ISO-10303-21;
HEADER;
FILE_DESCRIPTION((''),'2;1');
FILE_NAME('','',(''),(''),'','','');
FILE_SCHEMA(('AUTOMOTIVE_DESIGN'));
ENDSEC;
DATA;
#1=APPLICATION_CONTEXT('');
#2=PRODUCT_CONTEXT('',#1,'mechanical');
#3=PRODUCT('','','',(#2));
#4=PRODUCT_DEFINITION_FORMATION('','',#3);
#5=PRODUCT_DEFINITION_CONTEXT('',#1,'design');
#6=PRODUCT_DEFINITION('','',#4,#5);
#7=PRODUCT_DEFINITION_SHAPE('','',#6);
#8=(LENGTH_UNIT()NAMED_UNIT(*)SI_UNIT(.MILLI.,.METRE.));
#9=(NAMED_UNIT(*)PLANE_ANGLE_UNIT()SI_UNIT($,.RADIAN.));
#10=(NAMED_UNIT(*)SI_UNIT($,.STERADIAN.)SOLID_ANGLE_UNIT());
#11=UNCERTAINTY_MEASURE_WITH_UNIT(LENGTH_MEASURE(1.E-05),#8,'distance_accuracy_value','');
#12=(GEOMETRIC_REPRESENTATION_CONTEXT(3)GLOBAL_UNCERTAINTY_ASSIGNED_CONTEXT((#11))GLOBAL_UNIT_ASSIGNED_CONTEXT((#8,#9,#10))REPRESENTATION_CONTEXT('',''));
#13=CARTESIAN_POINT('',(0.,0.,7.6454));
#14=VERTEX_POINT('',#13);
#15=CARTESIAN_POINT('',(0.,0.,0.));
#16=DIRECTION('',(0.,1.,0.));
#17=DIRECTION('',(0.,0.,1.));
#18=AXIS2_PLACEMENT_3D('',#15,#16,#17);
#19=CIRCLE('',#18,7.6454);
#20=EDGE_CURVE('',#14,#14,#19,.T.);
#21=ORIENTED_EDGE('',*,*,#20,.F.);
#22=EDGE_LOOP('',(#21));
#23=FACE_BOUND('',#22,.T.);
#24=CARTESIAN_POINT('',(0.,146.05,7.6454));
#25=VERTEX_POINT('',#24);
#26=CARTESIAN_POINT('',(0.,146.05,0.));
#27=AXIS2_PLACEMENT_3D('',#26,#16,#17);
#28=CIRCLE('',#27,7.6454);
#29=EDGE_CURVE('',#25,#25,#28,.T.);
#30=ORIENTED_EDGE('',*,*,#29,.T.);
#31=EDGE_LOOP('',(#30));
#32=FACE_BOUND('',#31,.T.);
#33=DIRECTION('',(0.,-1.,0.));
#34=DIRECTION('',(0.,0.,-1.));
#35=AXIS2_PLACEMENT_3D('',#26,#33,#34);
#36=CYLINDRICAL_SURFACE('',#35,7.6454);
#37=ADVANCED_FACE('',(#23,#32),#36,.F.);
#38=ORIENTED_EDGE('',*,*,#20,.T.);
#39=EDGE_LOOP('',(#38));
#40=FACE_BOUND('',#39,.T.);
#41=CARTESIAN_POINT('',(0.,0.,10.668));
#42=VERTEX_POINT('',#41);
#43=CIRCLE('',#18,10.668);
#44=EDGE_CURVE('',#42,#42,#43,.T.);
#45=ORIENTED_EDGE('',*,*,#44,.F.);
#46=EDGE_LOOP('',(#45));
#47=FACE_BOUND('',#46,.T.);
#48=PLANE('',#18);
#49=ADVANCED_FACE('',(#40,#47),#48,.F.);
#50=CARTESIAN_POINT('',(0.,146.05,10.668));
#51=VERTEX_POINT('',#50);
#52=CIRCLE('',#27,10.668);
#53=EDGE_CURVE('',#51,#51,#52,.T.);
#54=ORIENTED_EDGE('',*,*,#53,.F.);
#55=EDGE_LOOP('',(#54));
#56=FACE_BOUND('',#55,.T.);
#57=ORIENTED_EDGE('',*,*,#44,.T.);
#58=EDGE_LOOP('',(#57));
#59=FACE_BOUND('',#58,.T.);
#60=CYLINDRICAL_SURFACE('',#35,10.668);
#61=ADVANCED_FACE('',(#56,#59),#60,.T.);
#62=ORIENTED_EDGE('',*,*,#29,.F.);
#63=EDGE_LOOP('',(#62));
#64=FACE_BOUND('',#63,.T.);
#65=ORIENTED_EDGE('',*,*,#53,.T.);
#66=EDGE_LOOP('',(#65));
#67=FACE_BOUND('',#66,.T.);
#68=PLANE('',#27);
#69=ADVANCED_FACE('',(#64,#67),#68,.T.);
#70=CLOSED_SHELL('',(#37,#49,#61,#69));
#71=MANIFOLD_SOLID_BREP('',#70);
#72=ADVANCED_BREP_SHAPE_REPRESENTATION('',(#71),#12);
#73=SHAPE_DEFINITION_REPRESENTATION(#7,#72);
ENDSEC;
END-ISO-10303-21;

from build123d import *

# Parameters (mm, degrees)
SKETCH1_R           = 10.668
SKETCH1_R_2         = 7.6454
BOSS_EXTRUDE1_DEPTH = 146.05


with BuildPart() as part:
    # Sketch1 → Boss-Extrude1 (new body)
    with BuildSketch(Plane(origin=(0, 0, 0), x_dir=(1, 0, 0), z_dir=(0, 1, 0))):
        with Locations(Location((0, 0, 0), (0, 0, 270))):
            Circle(SKETCH1_R)
        with Locations(Location((0, 0, 0), (0, 0, 270))):
            Circle(SKETCH1_R_2, mode=Mode.SUBTRACT)
    extrude(amount=BOSS_EXTRUDE1_DEPTH)


solid = part.part
